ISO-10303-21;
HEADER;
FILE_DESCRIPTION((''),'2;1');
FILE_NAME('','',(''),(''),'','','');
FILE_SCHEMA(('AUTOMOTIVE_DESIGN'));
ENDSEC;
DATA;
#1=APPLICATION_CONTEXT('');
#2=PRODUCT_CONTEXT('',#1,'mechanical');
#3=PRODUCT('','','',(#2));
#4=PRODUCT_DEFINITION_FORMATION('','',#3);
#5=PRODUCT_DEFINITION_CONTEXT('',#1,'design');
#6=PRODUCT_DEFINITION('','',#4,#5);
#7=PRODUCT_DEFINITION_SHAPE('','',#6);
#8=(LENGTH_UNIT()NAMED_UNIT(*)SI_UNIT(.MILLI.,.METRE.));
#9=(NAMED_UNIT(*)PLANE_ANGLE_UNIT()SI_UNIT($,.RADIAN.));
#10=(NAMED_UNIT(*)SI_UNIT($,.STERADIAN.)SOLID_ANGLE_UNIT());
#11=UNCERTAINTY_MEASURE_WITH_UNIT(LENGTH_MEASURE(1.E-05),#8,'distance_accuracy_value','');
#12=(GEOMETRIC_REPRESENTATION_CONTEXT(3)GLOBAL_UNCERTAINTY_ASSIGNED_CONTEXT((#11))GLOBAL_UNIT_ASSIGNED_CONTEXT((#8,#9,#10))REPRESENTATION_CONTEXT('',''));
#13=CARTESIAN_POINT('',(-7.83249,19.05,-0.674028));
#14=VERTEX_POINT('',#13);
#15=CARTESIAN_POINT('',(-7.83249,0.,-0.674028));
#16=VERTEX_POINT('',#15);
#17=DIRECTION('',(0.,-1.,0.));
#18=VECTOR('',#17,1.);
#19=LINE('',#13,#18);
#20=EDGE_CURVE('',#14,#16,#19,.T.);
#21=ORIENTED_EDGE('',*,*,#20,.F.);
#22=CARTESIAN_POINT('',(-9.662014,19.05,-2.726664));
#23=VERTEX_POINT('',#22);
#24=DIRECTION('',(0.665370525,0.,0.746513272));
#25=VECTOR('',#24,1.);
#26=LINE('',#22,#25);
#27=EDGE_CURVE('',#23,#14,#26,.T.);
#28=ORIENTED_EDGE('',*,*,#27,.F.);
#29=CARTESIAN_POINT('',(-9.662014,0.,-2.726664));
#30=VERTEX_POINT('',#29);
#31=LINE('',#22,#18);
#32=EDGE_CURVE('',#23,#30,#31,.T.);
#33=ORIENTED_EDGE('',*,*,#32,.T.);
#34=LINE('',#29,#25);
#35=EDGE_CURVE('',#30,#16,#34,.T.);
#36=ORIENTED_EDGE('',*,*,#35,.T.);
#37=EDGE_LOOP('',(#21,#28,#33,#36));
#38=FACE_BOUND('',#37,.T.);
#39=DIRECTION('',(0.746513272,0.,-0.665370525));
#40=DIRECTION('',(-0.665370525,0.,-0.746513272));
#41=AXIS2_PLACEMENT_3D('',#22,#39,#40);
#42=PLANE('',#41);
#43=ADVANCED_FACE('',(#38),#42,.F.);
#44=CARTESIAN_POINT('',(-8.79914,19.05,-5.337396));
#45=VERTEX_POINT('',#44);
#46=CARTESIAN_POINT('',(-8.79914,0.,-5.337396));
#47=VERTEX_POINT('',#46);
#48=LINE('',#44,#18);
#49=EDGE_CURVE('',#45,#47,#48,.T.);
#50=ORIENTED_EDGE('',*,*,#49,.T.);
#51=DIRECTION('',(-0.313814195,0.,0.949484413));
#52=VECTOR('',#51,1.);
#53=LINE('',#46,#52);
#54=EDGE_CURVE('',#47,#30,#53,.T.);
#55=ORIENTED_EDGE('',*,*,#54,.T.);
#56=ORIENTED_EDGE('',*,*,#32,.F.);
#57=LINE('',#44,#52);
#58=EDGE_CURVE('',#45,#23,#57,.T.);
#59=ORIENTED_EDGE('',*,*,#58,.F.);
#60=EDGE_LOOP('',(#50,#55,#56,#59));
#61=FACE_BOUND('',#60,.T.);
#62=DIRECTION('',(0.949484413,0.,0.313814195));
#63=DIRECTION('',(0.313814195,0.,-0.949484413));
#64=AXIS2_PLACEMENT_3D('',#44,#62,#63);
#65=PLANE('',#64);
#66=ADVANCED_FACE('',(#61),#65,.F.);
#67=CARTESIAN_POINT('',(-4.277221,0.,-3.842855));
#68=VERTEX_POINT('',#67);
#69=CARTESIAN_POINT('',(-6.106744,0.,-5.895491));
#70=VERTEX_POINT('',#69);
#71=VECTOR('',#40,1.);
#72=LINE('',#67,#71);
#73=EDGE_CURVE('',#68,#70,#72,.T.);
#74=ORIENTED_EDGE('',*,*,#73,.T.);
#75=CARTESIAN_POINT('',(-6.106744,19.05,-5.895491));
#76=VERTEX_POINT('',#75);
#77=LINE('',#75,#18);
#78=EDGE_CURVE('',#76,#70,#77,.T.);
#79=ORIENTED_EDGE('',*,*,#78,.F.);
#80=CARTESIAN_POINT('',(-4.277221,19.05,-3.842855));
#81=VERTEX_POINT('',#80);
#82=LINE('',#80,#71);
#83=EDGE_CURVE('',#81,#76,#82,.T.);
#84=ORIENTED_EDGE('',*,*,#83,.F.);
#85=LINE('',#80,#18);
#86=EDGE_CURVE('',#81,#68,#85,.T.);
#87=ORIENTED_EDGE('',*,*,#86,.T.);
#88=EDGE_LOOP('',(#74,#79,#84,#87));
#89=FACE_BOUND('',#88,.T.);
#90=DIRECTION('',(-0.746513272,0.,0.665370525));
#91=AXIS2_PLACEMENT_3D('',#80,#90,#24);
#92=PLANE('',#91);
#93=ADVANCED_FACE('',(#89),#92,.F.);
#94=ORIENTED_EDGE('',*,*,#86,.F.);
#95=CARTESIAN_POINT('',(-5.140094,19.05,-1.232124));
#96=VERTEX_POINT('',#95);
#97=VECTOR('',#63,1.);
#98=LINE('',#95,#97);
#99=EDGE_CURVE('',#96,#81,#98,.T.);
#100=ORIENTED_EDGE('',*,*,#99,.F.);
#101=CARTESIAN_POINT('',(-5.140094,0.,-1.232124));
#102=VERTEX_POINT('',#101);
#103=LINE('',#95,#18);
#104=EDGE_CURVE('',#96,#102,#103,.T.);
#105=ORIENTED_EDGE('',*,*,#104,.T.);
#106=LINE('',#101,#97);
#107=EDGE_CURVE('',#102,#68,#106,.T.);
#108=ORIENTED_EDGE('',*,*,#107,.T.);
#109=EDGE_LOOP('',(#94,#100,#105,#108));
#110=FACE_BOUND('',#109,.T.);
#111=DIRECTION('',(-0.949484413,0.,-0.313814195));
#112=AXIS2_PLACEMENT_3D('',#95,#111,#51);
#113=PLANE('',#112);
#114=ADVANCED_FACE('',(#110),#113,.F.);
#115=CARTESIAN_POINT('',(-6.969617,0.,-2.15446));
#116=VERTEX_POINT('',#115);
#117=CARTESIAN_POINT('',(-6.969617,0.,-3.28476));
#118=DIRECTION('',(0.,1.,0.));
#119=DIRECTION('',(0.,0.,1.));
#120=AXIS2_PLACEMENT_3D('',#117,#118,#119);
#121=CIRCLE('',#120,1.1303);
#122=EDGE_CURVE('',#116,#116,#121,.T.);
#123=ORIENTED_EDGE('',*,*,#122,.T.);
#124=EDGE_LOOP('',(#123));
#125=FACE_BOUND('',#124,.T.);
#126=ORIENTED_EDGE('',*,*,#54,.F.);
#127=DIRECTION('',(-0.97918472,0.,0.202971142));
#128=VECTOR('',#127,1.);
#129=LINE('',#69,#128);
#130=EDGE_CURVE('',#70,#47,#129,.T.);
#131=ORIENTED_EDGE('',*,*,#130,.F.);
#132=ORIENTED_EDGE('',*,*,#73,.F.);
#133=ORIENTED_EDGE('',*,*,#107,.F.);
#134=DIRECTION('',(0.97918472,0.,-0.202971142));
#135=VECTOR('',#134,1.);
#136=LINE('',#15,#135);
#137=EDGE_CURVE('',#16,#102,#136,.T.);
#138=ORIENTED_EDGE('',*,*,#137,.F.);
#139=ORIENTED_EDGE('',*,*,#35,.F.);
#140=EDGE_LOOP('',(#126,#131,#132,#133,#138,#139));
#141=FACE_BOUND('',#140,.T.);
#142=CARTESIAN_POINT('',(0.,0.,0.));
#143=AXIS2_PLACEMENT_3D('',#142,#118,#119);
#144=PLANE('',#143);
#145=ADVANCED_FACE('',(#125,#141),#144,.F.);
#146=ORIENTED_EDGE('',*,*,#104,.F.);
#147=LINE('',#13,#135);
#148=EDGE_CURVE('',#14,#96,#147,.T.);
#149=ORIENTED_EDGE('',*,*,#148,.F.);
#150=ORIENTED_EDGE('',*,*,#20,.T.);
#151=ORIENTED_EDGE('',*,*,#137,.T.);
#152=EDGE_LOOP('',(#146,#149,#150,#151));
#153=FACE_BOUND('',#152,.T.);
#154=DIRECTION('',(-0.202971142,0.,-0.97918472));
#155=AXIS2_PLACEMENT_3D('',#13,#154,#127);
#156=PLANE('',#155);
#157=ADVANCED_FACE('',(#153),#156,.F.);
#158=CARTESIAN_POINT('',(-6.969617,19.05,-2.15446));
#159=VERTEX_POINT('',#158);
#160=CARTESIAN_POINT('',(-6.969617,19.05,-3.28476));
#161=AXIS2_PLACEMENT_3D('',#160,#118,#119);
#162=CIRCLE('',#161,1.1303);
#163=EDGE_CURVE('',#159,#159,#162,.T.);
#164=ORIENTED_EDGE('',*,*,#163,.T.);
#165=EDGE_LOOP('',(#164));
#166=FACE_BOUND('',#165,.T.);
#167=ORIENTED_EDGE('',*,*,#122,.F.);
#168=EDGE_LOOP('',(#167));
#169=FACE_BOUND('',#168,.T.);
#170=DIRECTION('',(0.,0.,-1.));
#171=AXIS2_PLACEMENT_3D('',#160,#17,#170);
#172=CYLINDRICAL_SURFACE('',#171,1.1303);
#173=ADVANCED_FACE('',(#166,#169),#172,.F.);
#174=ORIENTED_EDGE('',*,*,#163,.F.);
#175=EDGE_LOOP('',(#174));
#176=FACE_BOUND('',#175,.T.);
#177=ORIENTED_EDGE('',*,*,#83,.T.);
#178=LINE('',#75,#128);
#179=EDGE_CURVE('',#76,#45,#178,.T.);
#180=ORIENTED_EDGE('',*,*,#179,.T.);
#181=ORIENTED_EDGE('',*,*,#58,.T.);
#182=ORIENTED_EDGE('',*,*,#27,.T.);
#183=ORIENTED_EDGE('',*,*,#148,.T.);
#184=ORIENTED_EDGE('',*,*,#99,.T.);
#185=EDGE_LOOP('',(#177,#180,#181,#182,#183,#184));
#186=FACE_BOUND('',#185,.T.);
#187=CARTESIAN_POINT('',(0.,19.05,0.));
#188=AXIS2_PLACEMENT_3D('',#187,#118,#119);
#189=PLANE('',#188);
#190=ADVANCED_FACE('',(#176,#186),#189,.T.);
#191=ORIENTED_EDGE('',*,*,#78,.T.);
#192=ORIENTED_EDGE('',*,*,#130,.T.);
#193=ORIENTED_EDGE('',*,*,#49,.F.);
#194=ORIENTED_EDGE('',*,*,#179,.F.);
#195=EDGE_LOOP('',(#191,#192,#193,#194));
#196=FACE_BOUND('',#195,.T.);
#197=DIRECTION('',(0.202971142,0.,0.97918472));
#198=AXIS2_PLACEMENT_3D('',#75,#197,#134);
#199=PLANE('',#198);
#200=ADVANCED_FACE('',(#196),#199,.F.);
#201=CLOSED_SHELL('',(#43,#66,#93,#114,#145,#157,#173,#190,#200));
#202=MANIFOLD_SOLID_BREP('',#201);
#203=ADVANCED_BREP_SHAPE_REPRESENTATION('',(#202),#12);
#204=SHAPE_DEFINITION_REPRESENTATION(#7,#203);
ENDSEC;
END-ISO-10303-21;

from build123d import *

# Parameters (mm, degrees)
SKETCH1_R           = 1.1303
BOSS_EXTRUDE1_DEPTH = 19.05


with BuildPart() as part:
    # Sketch1 → Boss-Extrude1 (new body)
    with BuildSketch(Plane(origin=(0, 0, 0), x_dir=(1, 0, 0), z_dir=(0, 1, 0))):
        Polygon((-5.140093993, 1.232124046), (-4.277220861, 3.842855497), (-6.106744054, 5.895491275), (-8.799140379, 5.337395601), (-9.662013511, 2.726664151), (-7.832490318, 0.674028373), align=None)
        with Locations((-6.969617186, 3.284759824)):
            Circle(SKETCH1_R, mode=Mode.SUBTRACT)
    extrude(amount=BOSS_EXTRUDE1_DEPTH)


solid = part.part
